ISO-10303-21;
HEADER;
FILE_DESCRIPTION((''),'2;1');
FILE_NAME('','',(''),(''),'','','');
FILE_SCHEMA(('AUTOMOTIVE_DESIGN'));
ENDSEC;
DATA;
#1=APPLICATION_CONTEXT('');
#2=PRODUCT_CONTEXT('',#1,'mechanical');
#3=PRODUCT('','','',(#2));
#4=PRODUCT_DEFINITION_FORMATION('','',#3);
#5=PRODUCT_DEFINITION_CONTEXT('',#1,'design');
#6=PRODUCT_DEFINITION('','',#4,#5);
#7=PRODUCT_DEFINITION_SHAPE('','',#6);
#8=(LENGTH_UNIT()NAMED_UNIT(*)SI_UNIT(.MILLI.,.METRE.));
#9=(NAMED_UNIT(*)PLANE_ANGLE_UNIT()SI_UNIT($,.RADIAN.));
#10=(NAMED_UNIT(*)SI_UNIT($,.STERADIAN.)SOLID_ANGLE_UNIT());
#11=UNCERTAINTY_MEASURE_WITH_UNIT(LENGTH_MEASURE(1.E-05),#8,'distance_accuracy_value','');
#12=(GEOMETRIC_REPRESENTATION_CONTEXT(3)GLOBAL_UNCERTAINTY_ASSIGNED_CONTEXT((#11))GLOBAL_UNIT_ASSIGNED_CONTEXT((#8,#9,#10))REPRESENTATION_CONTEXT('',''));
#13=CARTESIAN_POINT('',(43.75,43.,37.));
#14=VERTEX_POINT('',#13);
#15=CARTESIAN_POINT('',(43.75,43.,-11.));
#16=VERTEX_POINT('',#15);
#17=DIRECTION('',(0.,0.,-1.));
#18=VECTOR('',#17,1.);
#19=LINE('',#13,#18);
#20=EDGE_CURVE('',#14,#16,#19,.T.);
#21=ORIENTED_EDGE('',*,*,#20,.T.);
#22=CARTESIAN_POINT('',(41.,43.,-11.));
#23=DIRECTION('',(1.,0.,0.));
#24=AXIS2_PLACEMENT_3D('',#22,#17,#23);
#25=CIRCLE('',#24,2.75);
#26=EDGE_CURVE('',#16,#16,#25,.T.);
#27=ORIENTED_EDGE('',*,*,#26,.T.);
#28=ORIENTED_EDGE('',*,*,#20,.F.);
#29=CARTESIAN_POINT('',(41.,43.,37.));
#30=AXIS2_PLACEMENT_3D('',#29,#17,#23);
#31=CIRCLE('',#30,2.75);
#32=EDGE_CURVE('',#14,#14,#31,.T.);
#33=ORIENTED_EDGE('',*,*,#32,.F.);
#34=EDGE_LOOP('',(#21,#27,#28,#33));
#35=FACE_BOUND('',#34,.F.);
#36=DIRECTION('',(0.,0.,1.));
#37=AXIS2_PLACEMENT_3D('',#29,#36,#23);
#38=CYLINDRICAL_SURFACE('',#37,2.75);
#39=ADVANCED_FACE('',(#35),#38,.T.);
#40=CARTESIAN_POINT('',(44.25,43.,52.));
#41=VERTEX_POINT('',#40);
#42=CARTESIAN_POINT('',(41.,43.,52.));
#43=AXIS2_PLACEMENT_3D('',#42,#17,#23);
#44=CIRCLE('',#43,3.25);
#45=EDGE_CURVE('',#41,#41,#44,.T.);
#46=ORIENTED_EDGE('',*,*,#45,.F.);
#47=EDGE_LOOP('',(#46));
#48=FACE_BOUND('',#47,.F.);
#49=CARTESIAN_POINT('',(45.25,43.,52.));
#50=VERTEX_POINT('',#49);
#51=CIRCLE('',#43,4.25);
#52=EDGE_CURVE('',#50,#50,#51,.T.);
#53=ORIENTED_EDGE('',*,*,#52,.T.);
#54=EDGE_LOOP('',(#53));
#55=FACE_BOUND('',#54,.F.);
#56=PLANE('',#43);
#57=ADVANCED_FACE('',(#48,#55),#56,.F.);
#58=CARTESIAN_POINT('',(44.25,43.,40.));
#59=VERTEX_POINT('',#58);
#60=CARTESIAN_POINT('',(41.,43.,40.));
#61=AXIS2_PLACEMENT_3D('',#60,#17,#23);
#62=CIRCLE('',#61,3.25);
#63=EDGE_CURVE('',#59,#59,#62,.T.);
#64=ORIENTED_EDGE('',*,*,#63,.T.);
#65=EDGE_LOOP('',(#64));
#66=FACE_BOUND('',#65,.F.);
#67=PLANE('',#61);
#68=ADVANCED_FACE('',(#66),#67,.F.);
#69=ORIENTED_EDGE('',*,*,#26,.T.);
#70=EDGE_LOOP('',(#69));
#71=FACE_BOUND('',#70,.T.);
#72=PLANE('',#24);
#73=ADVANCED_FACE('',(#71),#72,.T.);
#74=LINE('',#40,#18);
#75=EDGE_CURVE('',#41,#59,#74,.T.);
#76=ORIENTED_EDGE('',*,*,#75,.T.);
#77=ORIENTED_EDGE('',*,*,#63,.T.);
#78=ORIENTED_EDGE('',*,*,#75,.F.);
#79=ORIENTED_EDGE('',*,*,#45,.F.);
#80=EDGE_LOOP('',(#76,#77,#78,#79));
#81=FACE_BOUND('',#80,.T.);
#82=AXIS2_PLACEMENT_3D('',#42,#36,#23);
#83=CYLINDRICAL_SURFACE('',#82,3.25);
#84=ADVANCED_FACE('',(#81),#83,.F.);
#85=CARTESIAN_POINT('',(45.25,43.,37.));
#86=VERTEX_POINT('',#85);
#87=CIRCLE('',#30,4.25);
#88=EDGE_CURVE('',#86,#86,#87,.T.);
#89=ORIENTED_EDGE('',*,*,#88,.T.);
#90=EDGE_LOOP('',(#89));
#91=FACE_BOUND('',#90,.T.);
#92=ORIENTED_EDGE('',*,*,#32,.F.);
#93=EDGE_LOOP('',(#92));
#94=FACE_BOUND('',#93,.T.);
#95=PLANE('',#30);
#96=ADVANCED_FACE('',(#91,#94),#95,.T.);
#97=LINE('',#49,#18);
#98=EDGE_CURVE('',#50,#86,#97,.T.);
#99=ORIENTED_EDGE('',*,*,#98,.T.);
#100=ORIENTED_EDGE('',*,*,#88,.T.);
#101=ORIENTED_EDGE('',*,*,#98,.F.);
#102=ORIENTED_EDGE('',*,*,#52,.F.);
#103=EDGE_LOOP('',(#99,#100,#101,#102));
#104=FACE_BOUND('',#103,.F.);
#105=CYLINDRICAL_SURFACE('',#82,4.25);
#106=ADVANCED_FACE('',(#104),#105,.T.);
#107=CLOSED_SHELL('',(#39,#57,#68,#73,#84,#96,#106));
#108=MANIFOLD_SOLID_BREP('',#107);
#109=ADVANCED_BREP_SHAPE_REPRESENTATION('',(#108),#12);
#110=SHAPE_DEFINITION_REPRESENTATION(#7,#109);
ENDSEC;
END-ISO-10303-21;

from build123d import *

# Parameters (mm, degrees)
CYLINDER013_R             = 3.25
CYLINDER013_DEPTH         = 12
CYLINDER012_R             = 4.25
CYLINDER012_DEPTH         = 15
CYLINDER014_R             = 2.75
CYLINDER014_DEPTH         = 48
FUSION002_PLACEMENT_ANGLE = 180


with BuildPart() as taladro:
    # Cylinder013 → Cylinder013 (new body)
    with BuildSketch(Plane.XY):
        Circle(CYLINDER013_R)
    extrude(amount=CYLINDER013_DEPTH)


with BuildPart() as cilindro_exterior:
    # Cylinder012 → Cylinder012 (new body)
    with BuildSketch(Plane.XY):
        Circle(CYLINDER012_R)
    extrude(amount=CYLINDER012_DEPTH)

    # Cut004: cut taladro
    add(taladro.part, mode=Mode.SUBTRACT)


with BuildPart() as fusion002:
    # Cylinder014 → Cylinder014 (new body)
    with BuildSketch(Plane.XY.offset(15)):
        Circle(CYLINDER014_R)
    extrude(amount=CYLINDER014_DEPTH)

    # Fusion002: union Cilindro exterior
    add(cilindro_exterior.part)


with BuildPart() as fusion002_1:
    # Fusion002 placement: moved
    add(fusion002.part.moved(Location((41, 43, 52))).rotate(Axis((41, 43, 52), (1, 0, 0)), FUSION002_PLACEMENT_ANGLE))


solid = fusion002_1.part
